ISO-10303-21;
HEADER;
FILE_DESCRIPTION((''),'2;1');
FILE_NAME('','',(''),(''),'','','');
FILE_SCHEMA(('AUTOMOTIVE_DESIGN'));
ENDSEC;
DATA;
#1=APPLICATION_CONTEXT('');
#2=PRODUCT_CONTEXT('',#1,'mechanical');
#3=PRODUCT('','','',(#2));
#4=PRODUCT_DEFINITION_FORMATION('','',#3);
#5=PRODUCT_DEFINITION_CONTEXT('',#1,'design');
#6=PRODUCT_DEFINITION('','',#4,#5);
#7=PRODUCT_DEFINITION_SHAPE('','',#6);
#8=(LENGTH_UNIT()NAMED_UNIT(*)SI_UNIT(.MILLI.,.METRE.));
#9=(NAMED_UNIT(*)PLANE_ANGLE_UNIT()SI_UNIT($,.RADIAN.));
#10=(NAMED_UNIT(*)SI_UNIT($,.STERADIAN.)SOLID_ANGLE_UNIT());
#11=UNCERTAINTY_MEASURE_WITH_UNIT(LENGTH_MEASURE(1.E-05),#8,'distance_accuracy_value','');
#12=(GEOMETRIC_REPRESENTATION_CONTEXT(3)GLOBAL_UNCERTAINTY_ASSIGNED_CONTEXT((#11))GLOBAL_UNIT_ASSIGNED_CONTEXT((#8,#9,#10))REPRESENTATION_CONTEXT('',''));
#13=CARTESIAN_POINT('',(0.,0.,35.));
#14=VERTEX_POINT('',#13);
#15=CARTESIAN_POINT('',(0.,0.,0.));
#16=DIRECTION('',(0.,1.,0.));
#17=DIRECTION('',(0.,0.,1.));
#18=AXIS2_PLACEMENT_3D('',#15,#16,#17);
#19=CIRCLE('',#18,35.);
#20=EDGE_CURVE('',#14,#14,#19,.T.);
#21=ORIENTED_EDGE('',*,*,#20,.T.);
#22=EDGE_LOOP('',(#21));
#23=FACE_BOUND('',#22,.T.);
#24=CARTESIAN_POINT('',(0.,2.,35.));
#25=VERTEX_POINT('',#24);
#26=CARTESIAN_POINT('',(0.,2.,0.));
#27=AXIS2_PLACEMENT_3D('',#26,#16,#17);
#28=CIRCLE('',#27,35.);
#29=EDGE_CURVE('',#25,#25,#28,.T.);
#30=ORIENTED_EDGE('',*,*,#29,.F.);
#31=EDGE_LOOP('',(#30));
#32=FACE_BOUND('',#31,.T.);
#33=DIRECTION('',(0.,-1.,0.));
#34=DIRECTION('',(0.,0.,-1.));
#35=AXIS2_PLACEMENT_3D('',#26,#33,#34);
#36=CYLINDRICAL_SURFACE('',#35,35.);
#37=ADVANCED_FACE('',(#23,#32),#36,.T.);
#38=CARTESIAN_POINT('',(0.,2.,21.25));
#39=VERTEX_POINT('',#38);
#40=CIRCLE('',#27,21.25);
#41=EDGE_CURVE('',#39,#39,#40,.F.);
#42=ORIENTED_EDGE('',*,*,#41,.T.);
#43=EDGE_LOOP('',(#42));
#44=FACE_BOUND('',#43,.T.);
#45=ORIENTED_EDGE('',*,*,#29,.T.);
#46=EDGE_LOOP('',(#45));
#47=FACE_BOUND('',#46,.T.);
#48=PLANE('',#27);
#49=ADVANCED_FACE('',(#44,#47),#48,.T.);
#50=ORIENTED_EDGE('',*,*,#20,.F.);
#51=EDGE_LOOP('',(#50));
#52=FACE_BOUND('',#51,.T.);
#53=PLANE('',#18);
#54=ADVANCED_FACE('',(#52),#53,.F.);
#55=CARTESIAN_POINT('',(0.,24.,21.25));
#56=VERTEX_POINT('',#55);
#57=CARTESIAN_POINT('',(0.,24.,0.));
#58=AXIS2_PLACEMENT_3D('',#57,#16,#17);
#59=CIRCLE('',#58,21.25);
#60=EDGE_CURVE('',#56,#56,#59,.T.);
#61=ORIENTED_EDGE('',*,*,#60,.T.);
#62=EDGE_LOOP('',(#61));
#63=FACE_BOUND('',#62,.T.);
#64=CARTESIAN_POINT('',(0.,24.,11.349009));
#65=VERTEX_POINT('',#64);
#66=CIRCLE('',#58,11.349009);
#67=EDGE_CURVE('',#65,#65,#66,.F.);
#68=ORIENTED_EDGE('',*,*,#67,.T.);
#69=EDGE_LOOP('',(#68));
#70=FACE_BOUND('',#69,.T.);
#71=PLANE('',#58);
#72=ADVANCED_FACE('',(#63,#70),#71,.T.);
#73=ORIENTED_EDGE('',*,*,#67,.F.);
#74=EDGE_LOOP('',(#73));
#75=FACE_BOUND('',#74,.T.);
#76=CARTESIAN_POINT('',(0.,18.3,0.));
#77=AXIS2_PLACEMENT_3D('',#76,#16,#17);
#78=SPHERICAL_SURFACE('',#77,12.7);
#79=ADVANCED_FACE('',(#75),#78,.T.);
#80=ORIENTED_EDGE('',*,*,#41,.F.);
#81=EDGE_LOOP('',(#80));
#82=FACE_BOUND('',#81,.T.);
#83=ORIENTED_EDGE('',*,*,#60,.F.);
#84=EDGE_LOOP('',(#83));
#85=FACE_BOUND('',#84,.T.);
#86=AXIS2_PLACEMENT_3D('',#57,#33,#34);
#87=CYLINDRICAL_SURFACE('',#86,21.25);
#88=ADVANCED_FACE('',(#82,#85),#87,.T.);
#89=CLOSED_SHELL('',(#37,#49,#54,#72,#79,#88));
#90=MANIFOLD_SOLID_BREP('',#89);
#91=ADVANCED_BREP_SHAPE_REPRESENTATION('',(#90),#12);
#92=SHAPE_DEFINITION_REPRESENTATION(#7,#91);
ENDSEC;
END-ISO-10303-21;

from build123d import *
from build123d.topology import SkipClean

# Parameters (mm, degrees)
SKETCH_1_R      = 35
EXTRUDE_1_DEPTH = 2
SKETCH_1_3_R    = 21.25
EXTRUDE_2_DEPTH = 24


with BuildPart() as part:
    # 草图1 → 凸台-拉伸1 (new body)
    with BuildSketch(Plane(origin=(0, 0, 0), x_dir=(1, 0, 0), z_dir=(0, 1, 0))):
        Circle(SKETCH_1_R)
    extrude(amount=EXTRUDE_1_DEPTH)

    # 草图1<3> → 凸台-拉伸2 (add)
    with BuildSketch(Plane(origin=(0, 0, 0), x_dir=(1, 0, 0), z_dir=(0, 1, 0))):
        Circle(SKETCH_1_3_R)
    extrude(amount=EXTRUDE_2_DEPTH)

    # 草图2 → 旋转1 (revolve)
    with SkipClean():  # the faces are left unmerged after this step: merging them gives an invalid solid
        with BuildSketch(Plane.XY):
            with BuildLine():
                ThreePointArc((12.7, 18.3), (0, 31), (-12.7, 18.3))
                Line((-12.7, 18.3), (12.7, 18.3))
            make_face()
        revolve(axis=Axis((-1000, 18.3, 0), (1, 0, 0)))


solid = part.part
